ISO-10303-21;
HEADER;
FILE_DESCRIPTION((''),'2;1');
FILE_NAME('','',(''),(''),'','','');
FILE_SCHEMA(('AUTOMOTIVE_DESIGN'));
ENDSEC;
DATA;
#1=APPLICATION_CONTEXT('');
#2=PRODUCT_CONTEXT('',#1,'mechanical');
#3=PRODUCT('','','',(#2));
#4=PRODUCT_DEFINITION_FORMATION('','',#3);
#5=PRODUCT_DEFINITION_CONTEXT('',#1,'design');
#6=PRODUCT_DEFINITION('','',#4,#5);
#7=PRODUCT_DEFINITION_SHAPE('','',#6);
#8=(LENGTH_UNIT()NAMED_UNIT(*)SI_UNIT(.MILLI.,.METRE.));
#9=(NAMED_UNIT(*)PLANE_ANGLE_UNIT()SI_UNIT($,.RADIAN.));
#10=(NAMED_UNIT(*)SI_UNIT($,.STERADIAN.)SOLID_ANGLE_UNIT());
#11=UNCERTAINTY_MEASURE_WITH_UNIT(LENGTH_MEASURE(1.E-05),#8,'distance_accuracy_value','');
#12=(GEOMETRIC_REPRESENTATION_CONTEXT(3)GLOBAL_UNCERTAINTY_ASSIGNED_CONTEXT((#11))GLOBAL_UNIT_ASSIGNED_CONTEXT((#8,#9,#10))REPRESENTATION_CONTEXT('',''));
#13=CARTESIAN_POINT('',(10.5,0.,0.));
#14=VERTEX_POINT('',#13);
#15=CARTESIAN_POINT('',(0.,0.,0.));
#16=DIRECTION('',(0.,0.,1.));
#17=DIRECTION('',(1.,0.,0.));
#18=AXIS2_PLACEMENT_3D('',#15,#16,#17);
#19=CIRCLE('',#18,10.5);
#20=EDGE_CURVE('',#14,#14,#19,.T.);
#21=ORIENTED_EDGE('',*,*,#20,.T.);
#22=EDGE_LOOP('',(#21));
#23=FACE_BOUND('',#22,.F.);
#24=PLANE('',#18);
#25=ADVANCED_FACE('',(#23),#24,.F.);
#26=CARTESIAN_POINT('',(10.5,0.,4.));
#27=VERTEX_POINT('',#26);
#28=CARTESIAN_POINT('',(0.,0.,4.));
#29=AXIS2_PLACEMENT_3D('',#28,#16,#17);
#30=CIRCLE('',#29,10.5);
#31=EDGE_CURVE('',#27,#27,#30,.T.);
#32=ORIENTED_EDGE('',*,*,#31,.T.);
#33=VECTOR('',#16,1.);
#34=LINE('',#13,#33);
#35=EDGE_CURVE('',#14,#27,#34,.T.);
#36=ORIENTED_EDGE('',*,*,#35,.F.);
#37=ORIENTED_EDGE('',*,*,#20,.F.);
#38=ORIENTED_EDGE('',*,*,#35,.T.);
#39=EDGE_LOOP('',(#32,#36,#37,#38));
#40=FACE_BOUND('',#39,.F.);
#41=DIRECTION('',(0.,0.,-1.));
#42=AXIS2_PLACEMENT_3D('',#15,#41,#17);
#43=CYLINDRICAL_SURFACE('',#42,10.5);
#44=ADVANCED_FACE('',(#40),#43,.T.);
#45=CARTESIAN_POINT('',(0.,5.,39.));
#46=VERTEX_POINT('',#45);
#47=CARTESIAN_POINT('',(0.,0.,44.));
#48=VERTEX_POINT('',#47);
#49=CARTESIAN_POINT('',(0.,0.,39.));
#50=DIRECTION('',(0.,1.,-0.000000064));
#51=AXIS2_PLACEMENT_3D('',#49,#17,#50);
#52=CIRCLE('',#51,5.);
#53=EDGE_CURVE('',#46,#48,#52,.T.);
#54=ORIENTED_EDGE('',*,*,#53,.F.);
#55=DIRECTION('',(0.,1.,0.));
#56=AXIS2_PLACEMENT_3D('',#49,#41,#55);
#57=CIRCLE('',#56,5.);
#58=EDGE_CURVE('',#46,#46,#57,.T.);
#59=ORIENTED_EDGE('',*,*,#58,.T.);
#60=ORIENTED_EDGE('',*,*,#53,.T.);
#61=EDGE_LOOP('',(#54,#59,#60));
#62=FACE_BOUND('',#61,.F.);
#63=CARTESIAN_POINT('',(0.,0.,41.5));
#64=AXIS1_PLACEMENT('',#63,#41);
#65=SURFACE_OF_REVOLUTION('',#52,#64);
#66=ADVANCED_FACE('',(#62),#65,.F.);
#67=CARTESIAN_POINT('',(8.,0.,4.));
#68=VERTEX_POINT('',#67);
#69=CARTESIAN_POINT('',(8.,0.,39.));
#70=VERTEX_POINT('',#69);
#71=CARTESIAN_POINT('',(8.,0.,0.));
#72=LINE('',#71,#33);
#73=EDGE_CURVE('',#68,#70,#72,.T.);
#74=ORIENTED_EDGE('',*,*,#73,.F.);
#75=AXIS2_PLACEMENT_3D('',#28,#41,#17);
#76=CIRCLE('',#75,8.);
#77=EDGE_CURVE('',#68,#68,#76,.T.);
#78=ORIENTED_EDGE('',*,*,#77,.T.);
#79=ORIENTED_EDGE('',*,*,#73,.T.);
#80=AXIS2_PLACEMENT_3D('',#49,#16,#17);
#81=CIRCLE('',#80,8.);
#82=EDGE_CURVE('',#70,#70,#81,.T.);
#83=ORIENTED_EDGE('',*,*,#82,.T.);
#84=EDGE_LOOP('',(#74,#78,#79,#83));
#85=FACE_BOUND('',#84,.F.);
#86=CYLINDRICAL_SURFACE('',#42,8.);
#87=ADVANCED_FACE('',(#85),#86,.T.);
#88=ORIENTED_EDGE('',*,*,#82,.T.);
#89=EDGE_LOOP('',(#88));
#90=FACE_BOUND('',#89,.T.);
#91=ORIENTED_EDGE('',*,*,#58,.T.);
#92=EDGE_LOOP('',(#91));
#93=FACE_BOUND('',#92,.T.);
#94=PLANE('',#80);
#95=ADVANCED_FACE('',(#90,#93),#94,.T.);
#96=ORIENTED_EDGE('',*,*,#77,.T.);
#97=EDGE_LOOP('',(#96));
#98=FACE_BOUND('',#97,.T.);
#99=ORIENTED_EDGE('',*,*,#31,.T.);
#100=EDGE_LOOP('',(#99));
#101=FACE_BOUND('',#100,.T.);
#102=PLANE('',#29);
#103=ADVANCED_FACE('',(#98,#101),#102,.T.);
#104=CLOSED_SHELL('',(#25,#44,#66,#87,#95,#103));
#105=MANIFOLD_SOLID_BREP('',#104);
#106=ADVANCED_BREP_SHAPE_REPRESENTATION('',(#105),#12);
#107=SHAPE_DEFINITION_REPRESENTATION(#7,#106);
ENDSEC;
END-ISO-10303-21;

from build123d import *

# Parameters (mm, degrees)
F0_R     = 10.5
F1_DEPTH = 4
F2_R     = 8
F3_DEPTH = 39


with BuildPart() as f1:
    # F0 (on Top) → F1 (new body)
    with BuildSketch(Plane.XY):
        Circle(F0_R)
    extrude(amount=F1_DEPTH)

    # F2 (on Top) → F3 (join)
    with BuildSketch(Plane.XY):
        Circle(F2_R)
    extrude(amount=F3_DEPTH)

    # F4 (on Right) → F5 (revolve)
    with BuildSketch(Plane.YZ):
        with BuildLine():
            ThreePointArc((5, 39), (3.535534, 42.535534), (0, 44))
            Line((0, 44), (0, 39))
            Line((0, 39), (5, 39))
        make_face()
    revolve(axis=Axis((0, 0, 41.5), (0, 0, -1)))


solid = f1.part
